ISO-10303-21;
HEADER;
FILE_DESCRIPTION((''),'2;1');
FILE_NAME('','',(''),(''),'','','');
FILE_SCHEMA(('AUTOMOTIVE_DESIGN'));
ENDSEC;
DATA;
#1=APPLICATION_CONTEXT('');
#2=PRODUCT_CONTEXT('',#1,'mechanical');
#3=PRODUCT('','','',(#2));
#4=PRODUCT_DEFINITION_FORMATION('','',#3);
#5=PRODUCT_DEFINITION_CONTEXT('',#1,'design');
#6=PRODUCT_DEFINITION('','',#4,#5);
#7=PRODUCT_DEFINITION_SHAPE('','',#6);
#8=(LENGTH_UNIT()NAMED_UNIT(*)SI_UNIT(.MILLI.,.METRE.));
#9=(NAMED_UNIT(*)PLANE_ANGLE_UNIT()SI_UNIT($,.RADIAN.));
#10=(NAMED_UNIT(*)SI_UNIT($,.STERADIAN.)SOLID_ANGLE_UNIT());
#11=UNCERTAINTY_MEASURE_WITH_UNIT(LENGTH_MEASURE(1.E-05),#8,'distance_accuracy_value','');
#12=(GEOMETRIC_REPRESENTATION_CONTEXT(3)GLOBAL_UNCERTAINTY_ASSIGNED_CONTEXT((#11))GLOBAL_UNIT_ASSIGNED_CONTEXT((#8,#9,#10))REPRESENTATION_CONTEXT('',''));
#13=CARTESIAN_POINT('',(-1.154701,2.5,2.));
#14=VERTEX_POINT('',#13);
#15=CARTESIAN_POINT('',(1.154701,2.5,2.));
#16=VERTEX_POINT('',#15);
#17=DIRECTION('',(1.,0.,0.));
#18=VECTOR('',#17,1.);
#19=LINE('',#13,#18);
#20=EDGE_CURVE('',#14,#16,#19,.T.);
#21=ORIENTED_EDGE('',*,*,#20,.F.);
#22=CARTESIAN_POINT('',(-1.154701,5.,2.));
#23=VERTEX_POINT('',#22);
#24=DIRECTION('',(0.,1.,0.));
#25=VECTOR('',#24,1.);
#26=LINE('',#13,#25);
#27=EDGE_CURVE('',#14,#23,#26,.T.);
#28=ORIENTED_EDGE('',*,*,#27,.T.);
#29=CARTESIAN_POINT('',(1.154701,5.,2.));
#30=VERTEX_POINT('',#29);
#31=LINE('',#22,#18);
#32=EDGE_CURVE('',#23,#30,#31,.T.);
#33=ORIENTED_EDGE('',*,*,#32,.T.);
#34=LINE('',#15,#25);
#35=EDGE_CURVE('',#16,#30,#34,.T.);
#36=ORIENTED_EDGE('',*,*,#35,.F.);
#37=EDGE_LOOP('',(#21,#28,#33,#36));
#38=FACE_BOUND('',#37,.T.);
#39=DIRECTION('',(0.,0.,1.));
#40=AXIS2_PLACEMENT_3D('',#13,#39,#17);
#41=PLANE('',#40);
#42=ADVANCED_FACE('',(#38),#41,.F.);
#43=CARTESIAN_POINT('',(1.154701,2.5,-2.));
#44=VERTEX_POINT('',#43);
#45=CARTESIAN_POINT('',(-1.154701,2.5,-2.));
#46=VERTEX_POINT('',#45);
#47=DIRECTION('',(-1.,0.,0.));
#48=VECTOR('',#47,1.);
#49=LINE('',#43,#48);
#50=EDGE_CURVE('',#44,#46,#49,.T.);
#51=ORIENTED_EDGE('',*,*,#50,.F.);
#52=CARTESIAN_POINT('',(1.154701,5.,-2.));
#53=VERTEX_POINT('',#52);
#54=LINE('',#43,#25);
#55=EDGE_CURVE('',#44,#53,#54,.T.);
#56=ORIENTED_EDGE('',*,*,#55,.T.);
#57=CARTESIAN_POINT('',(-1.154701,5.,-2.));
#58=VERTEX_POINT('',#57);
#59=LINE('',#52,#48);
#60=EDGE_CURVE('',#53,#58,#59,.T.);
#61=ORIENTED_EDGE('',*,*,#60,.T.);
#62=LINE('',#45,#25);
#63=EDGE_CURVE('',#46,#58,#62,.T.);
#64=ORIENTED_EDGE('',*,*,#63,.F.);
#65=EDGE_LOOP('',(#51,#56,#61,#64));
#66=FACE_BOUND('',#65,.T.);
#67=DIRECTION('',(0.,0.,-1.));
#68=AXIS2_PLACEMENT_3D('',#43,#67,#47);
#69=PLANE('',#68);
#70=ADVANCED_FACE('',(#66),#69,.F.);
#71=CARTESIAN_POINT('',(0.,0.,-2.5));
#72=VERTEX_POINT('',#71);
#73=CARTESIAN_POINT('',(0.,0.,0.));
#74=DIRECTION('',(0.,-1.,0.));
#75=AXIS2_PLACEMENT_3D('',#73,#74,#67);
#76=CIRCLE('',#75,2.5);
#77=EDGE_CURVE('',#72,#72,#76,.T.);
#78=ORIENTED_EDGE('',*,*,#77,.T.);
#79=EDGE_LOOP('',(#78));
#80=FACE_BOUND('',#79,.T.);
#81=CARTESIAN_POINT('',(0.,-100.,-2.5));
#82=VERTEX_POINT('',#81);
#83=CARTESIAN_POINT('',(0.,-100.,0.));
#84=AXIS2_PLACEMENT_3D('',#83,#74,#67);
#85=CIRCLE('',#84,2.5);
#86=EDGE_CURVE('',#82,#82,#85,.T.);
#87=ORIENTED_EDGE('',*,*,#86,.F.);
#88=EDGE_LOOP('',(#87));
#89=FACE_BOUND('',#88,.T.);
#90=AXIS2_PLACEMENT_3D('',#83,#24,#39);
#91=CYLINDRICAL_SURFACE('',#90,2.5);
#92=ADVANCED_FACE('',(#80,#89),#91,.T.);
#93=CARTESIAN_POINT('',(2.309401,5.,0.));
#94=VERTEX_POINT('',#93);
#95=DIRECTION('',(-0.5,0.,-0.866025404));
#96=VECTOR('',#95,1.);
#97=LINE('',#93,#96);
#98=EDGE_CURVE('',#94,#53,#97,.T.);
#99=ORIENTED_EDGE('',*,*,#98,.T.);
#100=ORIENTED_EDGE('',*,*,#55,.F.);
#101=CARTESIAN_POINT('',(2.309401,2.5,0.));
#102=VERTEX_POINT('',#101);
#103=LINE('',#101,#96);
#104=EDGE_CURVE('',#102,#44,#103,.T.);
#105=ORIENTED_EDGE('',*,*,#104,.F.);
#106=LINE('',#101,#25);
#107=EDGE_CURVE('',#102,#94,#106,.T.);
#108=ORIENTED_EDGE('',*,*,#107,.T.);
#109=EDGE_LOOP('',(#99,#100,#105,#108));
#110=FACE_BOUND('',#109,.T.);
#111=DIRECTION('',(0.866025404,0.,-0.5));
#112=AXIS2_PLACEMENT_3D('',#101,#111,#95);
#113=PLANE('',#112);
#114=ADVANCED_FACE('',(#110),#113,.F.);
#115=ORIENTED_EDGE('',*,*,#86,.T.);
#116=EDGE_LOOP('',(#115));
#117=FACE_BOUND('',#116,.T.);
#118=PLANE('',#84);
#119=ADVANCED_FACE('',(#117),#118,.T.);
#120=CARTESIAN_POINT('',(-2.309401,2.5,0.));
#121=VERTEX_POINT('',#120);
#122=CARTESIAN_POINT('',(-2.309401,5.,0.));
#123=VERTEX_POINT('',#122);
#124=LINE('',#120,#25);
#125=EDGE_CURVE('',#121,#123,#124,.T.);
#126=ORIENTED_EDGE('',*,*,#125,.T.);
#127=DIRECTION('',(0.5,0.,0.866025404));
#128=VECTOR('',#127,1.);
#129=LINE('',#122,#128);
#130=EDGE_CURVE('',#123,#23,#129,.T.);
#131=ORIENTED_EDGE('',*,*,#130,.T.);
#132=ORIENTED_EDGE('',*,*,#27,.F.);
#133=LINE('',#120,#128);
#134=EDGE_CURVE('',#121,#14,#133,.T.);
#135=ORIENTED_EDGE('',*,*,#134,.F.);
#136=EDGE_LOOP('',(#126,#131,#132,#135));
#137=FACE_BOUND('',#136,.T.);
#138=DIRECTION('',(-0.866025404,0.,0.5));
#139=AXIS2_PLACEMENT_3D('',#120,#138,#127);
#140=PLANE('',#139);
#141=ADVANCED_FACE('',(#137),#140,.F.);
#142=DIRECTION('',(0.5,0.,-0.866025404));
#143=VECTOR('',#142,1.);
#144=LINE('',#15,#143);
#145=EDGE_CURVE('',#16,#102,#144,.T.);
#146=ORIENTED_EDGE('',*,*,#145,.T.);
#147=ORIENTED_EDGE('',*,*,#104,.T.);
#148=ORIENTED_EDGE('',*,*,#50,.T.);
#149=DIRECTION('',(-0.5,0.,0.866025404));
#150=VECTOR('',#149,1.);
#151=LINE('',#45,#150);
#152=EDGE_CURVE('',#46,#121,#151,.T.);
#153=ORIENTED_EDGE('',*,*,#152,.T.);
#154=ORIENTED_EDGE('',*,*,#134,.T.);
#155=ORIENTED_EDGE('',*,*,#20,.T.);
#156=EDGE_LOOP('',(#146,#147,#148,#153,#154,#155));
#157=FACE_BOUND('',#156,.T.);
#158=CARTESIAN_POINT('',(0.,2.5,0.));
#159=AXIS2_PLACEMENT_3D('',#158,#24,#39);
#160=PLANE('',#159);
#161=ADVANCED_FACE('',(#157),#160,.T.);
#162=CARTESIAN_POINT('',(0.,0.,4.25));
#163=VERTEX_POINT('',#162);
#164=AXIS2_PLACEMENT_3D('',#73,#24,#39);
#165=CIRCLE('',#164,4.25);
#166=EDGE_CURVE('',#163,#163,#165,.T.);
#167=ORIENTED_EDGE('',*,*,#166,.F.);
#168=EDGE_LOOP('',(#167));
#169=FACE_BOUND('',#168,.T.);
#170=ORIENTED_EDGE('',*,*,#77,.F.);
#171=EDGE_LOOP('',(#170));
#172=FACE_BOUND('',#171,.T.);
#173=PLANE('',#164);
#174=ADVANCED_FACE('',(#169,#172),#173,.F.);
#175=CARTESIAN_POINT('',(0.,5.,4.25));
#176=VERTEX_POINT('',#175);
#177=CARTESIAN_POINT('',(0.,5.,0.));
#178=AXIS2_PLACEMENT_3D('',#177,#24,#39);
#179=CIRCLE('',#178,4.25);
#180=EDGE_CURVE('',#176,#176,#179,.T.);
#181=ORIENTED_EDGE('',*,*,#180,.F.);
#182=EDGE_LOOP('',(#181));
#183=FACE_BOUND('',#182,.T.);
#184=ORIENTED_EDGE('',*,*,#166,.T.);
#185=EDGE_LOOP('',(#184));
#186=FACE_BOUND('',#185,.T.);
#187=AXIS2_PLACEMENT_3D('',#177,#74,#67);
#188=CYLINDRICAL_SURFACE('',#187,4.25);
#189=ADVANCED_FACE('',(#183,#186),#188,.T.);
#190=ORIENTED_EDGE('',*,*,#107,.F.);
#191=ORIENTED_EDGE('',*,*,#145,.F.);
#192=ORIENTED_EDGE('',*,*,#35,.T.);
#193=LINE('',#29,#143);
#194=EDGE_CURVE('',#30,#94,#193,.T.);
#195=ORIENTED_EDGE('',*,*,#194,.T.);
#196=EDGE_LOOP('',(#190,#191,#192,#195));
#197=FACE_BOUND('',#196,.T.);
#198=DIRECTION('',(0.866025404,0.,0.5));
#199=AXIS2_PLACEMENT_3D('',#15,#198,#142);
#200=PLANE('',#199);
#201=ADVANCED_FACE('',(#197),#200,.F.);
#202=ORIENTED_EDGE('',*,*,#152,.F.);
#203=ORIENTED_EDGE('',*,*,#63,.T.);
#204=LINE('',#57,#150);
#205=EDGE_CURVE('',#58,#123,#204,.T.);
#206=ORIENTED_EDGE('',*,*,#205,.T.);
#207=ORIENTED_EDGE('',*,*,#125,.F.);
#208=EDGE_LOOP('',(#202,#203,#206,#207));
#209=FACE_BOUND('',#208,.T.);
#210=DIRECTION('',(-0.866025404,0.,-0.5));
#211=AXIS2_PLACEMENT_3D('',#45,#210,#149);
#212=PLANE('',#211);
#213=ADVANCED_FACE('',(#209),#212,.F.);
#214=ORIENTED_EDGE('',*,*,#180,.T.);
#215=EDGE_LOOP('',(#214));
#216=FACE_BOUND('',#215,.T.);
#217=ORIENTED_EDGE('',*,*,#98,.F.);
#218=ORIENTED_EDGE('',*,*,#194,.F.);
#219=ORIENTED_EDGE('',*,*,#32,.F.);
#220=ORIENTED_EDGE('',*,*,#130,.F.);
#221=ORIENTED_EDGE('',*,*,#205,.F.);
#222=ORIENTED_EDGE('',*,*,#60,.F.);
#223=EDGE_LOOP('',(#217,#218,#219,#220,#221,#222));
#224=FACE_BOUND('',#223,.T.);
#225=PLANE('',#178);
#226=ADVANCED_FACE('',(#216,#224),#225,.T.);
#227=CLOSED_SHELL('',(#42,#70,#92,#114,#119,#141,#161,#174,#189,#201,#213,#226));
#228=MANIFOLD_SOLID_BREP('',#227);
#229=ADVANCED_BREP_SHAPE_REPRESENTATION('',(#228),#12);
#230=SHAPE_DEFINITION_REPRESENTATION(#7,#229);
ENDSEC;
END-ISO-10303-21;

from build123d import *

# Parameters (mm, degrees)
SKETCH_1_R          = 4.25
EXTRUDE_1_DEPTH     = 5
CUT_EXTRUDE_1_DEPTH = 2.5
SKETCH_3_R          = 2.5
EXTRUDE_2_DEPTH     = 100


with BuildPart() as part:
    # 草图1 → 凸台-拉伸1 (new body)
    with BuildSketch(Plane(origin=(0, 0, 0), x_dir=(1, 0, 0), z_dir=(0, 1, 0))):
        Circle(SKETCH_1_R)
    extrude(amount=EXTRUDE_1_DEPTH)

    # 草图2 → 切除-拉伸1 (cut)
    with BuildSketch(Plane(origin=(0, 5, 0), x_dir=(1, 0, 0), z_dir=(0, 1, 0))):
        Polygon((2.309401077, 0), (1.154700538, 2), (-1.154700538, 2), (-2.309401077, 0), (-1.154700538, -2), (1.154700538, -2), align=None)
    extrude(amount=-CUT_EXTRUDE_1_DEPTH, mode=Mode.SUBTRACT)

    # 草图3 → 凸台-拉伸2 (add)
    with BuildSketch(Plane.XZ):
        Circle(SKETCH_3_R)
    extrude(amount=EXTRUDE_2_DEPTH)


solid = part.part
